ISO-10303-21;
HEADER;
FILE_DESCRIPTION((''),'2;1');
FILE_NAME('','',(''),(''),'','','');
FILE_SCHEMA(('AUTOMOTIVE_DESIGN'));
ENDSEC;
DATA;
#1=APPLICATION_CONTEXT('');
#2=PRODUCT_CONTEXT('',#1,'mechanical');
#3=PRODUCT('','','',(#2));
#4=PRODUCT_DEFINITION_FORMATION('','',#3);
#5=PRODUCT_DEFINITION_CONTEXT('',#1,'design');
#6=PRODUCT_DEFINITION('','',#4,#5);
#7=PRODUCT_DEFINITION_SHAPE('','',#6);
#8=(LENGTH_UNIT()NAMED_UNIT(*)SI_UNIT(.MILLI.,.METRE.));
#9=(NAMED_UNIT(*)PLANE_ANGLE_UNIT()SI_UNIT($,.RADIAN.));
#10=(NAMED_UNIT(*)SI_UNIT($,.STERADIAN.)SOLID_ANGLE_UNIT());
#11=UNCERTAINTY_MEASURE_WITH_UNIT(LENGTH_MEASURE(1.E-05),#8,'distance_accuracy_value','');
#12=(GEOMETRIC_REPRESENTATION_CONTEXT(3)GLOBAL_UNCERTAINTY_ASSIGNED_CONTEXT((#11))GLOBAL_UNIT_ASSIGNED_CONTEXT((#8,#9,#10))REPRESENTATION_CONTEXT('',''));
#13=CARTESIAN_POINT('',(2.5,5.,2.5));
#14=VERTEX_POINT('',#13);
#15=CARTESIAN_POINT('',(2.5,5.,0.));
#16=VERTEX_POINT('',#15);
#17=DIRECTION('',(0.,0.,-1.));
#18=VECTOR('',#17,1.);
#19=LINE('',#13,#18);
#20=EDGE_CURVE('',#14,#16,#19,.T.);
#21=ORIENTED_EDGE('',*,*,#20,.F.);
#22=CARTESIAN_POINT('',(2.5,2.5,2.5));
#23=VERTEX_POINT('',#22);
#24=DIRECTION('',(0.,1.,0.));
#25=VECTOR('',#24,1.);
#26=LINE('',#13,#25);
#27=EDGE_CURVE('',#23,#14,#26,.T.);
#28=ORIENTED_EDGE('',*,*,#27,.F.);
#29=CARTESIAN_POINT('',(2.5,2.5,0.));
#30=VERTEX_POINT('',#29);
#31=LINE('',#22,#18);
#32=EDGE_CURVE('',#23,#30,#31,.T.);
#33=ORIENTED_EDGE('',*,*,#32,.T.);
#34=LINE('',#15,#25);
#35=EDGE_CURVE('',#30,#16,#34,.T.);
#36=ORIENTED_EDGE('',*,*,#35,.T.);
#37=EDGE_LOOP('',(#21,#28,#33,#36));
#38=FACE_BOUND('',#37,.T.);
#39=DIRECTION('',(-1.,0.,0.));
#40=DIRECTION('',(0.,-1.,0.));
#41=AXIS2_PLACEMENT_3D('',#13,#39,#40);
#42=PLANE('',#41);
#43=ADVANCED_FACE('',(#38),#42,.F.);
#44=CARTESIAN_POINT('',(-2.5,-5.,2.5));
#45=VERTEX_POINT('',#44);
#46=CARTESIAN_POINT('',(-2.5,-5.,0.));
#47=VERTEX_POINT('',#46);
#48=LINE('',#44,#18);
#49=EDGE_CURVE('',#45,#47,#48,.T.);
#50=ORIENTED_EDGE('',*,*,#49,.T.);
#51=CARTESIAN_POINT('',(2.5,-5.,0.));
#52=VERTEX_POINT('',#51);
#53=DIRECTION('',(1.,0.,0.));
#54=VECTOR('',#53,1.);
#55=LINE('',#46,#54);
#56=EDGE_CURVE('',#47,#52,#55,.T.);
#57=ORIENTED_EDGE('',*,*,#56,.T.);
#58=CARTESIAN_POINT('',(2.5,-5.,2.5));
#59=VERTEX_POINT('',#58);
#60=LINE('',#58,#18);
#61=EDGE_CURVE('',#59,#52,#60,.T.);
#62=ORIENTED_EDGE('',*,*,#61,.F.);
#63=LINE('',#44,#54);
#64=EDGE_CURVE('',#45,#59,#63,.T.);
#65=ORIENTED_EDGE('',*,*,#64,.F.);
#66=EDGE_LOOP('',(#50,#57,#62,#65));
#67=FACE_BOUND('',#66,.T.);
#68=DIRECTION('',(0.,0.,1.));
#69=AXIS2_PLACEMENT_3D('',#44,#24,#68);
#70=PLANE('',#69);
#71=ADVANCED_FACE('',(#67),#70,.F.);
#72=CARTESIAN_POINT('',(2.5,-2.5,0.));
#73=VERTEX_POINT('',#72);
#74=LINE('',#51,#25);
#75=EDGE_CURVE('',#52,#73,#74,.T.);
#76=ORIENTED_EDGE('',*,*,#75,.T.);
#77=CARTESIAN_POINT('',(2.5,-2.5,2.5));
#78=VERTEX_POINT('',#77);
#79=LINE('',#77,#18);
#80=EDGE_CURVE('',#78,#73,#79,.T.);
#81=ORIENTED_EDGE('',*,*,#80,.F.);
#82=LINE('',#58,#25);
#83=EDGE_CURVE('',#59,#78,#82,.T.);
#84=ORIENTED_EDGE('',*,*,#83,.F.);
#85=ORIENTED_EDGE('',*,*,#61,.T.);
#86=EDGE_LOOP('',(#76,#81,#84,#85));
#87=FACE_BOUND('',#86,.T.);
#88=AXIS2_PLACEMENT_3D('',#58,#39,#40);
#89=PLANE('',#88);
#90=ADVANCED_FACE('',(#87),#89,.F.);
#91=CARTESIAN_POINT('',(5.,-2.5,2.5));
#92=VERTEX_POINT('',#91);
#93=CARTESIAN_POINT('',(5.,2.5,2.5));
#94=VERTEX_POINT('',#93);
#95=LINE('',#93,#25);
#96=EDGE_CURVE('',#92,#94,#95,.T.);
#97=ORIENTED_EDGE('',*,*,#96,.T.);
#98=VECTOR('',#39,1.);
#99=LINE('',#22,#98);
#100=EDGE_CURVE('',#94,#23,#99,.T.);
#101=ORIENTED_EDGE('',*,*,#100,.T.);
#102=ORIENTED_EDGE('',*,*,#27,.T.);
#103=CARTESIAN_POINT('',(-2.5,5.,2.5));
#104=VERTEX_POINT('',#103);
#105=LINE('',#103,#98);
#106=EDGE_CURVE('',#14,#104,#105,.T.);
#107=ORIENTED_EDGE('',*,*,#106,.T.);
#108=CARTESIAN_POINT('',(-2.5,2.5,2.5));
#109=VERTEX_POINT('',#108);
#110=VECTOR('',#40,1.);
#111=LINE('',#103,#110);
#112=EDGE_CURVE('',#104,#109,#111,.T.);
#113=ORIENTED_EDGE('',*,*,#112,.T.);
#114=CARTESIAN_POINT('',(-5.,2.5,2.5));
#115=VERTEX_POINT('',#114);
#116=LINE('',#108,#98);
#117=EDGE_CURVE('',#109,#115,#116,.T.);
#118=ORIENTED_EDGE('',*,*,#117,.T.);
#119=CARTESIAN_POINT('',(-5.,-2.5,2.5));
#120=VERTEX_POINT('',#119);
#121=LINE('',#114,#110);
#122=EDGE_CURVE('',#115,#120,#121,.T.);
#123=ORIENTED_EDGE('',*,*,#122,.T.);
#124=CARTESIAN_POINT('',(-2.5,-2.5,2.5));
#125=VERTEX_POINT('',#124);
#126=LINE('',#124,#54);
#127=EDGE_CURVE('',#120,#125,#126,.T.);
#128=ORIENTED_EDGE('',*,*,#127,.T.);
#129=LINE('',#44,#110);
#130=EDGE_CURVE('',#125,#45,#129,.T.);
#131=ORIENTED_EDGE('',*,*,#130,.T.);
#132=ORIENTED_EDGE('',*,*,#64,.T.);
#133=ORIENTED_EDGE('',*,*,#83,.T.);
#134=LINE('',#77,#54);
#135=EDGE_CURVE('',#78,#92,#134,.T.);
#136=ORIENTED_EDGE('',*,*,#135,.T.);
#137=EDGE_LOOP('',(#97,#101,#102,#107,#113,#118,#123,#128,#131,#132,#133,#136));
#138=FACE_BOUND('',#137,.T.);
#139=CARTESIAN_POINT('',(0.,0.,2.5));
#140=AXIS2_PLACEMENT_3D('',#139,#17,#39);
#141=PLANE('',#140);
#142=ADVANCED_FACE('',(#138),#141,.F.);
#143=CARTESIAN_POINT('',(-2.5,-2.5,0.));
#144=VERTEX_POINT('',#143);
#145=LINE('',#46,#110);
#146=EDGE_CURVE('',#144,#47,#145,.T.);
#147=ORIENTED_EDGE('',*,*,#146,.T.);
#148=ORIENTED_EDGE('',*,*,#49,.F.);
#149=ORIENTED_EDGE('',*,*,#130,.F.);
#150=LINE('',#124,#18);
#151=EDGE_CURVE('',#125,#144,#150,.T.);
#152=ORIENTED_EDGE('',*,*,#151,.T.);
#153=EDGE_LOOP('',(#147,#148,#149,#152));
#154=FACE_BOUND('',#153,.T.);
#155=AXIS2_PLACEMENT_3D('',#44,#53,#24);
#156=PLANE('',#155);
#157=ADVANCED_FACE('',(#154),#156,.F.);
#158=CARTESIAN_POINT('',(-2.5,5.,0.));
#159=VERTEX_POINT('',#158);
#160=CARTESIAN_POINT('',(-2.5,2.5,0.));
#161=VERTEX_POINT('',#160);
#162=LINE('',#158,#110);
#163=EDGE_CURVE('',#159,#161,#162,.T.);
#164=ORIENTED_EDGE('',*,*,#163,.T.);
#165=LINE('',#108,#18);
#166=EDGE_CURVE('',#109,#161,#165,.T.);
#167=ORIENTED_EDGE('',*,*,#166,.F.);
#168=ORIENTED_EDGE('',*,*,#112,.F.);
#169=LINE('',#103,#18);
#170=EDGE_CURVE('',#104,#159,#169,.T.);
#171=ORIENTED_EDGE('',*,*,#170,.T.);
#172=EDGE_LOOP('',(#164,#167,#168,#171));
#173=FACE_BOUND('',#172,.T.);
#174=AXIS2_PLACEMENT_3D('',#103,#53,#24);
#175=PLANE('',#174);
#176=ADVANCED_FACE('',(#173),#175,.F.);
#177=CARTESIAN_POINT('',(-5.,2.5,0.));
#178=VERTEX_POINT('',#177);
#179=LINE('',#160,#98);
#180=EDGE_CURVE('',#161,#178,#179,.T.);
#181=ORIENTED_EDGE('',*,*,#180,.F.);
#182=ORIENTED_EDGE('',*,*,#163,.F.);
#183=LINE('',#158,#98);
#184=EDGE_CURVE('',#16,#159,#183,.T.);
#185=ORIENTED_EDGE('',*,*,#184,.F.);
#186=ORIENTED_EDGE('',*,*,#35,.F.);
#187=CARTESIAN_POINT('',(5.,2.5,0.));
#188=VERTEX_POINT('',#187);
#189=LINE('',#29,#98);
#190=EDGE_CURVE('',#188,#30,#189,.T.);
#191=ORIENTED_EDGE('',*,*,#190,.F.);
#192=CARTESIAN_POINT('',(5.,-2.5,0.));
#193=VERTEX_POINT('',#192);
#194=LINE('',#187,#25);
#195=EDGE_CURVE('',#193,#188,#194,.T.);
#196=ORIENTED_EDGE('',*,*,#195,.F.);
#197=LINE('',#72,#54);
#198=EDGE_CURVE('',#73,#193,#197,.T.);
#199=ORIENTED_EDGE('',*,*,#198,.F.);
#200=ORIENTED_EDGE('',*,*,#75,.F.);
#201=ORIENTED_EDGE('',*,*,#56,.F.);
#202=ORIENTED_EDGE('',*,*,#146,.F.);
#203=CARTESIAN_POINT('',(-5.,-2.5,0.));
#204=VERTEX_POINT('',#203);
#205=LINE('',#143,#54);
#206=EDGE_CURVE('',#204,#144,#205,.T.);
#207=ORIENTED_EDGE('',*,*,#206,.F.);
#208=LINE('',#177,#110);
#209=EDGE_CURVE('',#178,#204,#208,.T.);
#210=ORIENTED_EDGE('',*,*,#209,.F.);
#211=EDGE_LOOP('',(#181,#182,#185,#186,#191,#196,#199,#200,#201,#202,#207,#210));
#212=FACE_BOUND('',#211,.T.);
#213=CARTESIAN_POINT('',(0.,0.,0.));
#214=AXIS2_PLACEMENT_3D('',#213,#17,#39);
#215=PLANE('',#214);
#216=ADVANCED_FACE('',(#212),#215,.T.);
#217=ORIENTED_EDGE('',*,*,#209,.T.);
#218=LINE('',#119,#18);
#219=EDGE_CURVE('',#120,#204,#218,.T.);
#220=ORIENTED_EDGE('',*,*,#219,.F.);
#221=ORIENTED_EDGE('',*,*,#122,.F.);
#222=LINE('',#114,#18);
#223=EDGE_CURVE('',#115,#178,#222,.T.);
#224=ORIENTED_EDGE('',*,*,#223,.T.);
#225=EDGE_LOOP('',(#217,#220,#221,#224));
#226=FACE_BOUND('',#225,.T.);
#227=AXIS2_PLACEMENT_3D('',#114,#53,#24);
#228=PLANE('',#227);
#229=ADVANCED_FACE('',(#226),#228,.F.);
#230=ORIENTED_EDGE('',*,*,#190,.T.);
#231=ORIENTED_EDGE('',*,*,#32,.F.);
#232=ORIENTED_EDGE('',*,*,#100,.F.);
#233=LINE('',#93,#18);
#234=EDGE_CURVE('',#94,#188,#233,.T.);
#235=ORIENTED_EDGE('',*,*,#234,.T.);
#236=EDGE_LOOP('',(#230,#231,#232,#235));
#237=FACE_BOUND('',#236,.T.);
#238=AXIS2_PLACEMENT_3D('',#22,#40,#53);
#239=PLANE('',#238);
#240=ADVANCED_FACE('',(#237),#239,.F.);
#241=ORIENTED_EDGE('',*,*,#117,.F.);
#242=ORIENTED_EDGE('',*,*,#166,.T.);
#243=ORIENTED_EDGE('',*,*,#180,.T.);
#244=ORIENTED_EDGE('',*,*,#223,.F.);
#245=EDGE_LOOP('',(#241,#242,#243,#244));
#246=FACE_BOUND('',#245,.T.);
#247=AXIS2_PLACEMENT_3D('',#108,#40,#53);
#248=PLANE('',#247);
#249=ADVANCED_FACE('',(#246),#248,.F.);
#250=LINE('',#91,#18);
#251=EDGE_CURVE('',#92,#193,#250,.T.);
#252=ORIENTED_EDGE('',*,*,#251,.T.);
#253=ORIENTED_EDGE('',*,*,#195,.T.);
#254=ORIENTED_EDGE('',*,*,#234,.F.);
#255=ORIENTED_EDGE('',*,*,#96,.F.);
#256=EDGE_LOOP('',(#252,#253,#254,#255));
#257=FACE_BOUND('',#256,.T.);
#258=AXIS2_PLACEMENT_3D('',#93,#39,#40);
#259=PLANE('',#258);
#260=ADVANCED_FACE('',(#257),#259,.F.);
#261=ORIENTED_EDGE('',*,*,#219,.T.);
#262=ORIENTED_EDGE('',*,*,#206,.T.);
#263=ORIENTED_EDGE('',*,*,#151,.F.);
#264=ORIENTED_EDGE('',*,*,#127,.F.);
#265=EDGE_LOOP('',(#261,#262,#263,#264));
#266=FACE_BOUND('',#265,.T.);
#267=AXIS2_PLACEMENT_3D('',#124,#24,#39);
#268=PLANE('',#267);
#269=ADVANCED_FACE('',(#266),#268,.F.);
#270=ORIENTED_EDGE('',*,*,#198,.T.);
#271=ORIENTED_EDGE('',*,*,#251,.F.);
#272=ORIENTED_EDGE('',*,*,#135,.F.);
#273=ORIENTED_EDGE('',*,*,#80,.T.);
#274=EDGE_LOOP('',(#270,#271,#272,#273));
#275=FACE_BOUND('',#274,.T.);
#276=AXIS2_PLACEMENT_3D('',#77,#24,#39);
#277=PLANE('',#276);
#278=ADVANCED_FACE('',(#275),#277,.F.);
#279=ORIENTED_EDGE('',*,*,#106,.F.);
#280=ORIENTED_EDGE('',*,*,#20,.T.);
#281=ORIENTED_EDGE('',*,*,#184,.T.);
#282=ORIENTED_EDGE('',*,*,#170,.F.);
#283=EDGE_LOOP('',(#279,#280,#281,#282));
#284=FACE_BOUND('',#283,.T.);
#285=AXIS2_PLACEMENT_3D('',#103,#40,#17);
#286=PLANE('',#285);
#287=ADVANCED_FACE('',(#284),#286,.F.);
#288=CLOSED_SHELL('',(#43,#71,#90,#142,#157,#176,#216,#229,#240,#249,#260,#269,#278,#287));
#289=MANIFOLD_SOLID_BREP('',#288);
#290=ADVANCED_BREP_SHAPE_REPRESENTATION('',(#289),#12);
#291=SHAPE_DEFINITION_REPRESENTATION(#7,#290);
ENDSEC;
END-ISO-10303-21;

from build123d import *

# Parameters (mm, degrees)
BOSS_EXTRUDE1_DEPTH = 2.5


with BuildPart() as part:
    # Sketch1 → Boss-Extrude1 (new body)
    with BuildSketch(Plane.XY):
        Polygon((-2.5, 5), (-2.5, 2.5), (-5, 2.5), (-5, -2.5), (-2.5, -2.5), (-2.5, -5), (2.5, -5), (2.5, -2.5), (5, -2.5), (5, 2.5), (2.5, 2.5), (2.5, 5), align=None)
    extrude(amount=BOSS_EXTRUDE1_DEPTH)


solid = part.part
